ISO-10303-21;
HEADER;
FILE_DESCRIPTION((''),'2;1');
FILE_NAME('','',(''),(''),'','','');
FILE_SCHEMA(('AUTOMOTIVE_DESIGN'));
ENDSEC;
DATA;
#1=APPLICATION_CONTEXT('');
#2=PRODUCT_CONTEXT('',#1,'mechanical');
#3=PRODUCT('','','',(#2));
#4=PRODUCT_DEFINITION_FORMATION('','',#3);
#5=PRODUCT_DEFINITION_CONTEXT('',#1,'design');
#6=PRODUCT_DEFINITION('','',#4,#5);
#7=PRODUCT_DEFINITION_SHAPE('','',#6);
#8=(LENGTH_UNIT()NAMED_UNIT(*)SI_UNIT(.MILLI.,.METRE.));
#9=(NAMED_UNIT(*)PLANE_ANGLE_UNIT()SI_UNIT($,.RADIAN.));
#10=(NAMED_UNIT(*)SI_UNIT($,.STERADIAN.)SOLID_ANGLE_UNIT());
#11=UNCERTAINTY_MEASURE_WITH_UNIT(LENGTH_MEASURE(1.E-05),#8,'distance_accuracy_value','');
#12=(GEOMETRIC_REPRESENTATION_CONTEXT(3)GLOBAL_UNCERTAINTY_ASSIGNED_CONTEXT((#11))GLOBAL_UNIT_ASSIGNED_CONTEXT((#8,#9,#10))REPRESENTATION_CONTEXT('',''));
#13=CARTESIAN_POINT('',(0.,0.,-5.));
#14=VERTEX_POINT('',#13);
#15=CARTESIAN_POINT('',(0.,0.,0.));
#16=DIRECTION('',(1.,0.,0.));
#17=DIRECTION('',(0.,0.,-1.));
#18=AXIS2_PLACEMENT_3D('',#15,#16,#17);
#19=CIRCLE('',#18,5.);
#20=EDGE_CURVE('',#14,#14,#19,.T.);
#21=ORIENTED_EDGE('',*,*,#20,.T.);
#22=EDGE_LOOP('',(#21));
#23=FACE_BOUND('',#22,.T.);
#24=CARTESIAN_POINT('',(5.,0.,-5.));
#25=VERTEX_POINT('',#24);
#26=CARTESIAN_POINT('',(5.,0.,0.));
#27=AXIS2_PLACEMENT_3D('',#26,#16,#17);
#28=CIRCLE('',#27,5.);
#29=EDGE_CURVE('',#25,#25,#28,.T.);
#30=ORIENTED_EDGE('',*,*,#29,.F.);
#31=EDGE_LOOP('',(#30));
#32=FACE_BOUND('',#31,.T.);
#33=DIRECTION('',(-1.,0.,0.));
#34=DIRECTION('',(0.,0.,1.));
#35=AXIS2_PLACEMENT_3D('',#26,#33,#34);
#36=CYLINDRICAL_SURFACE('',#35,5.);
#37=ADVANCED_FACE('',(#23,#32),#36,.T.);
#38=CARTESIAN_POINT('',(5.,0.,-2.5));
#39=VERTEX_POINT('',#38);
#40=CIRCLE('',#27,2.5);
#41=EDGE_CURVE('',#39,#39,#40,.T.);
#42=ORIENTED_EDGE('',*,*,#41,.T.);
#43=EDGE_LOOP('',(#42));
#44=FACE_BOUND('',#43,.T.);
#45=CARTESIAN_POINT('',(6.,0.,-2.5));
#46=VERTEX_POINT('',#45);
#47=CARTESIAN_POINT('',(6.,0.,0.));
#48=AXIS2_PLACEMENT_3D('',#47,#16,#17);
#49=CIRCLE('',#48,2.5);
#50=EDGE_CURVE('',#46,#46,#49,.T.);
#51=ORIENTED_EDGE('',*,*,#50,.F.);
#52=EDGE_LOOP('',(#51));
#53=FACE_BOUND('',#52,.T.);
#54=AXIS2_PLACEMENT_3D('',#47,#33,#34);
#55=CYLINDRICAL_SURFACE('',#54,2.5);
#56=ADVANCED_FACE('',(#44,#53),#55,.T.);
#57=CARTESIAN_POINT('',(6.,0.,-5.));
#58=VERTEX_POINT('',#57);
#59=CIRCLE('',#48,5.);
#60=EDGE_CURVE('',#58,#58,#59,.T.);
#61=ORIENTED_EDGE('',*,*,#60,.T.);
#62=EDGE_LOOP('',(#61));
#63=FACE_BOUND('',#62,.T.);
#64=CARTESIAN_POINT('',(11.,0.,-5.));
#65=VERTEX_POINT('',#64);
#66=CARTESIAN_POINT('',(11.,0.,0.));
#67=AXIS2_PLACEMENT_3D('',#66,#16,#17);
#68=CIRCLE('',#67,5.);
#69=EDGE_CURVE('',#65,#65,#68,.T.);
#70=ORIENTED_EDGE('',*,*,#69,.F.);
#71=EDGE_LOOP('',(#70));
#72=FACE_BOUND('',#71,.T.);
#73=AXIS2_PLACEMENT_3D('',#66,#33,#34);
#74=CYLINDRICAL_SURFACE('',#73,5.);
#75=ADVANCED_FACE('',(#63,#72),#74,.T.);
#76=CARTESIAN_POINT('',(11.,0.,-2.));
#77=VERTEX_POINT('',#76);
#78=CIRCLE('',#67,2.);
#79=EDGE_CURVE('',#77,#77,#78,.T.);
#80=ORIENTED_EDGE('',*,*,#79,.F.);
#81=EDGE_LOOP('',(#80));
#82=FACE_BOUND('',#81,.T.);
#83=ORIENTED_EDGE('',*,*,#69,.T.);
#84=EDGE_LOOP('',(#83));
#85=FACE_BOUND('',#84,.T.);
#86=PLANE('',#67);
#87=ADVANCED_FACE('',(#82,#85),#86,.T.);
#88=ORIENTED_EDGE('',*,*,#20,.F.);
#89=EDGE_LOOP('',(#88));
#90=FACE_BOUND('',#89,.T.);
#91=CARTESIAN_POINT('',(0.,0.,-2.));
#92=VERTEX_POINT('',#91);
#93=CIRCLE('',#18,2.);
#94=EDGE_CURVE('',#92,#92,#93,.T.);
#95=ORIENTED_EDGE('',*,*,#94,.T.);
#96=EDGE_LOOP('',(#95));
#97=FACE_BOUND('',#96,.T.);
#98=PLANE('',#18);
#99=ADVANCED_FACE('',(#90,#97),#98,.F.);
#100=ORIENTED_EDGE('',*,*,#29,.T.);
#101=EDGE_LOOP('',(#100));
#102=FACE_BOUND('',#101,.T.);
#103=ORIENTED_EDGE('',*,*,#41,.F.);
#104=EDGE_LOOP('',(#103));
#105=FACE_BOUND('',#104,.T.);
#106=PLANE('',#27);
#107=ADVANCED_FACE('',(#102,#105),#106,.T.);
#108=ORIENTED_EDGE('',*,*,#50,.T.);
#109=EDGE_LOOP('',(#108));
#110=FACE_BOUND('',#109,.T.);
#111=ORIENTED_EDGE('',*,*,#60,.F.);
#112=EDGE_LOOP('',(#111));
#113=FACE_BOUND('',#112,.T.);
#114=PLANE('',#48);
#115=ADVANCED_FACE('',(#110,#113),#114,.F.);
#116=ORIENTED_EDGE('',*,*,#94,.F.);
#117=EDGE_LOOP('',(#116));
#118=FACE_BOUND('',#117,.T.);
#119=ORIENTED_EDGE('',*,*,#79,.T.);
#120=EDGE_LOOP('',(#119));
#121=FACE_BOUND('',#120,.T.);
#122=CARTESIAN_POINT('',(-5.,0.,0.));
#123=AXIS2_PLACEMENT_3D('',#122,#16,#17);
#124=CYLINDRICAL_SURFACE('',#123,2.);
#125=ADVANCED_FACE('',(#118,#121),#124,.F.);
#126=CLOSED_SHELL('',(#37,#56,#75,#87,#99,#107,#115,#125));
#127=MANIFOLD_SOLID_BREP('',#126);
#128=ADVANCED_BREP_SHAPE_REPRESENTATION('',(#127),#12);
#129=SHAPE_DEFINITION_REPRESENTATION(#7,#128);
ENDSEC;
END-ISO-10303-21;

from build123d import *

# Parameters (mm, degrees)
SKETCH_1_R          = 5
EXTRUDE_1_DEPTH     = 5
SKETCH_2_R          = 2.5
EXTRUDE_2_DEPTH     = 1
SKETCH_3_R          = 5
EXTRUDE_3_DEPTH     = 5
SKETCH_4_R          = 2
CUT_EXTRUDE_1_DEPTH = 16


with BuildPart() as part:
    # Эскиз1 → Бобышка-Вытянуть1 (new body)
    with BuildSketch(Plane(origin=(0, 0, 0), x_dir=(0, 0, -1), z_dir=(1, 0, 0))):
        Circle(SKETCH_1_R)
    extrude(amount=EXTRUDE_1_DEPTH)

    # Эскиз2 → Бобышка-Вытянуть2 (add)
    with BuildSketch(Plane(origin=(5, 0, 0), x_dir=(0, 0, -1), z_dir=(1, 0, 0))):
        Circle(SKETCH_2_R)
    extrude(amount=EXTRUDE_2_DEPTH)

    # Эскиз3 → Бобышка-Вытянуть3 (add)
    with BuildSketch(Plane(origin=(6, 0, 0), x_dir=(0, 0, -1), z_dir=(1, 0, 0))):
        Circle(SKETCH_3_R)
    extrude(amount=EXTRUDE_3_DEPTH)

    # Эскиз4 → Вырез-Вытянуть1 (cut)
    with BuildSketch(Plane(origin=(11, 0, 0), x_dir=(0, 0, -1), z_dir=(1, 0, 0))):
        Circle(SKETCH_4_R)
    extrude(amount=-CUT_EXTRUDE_1_DEPTH, mode=Mode.SUBTRACT)


solid = part.part
